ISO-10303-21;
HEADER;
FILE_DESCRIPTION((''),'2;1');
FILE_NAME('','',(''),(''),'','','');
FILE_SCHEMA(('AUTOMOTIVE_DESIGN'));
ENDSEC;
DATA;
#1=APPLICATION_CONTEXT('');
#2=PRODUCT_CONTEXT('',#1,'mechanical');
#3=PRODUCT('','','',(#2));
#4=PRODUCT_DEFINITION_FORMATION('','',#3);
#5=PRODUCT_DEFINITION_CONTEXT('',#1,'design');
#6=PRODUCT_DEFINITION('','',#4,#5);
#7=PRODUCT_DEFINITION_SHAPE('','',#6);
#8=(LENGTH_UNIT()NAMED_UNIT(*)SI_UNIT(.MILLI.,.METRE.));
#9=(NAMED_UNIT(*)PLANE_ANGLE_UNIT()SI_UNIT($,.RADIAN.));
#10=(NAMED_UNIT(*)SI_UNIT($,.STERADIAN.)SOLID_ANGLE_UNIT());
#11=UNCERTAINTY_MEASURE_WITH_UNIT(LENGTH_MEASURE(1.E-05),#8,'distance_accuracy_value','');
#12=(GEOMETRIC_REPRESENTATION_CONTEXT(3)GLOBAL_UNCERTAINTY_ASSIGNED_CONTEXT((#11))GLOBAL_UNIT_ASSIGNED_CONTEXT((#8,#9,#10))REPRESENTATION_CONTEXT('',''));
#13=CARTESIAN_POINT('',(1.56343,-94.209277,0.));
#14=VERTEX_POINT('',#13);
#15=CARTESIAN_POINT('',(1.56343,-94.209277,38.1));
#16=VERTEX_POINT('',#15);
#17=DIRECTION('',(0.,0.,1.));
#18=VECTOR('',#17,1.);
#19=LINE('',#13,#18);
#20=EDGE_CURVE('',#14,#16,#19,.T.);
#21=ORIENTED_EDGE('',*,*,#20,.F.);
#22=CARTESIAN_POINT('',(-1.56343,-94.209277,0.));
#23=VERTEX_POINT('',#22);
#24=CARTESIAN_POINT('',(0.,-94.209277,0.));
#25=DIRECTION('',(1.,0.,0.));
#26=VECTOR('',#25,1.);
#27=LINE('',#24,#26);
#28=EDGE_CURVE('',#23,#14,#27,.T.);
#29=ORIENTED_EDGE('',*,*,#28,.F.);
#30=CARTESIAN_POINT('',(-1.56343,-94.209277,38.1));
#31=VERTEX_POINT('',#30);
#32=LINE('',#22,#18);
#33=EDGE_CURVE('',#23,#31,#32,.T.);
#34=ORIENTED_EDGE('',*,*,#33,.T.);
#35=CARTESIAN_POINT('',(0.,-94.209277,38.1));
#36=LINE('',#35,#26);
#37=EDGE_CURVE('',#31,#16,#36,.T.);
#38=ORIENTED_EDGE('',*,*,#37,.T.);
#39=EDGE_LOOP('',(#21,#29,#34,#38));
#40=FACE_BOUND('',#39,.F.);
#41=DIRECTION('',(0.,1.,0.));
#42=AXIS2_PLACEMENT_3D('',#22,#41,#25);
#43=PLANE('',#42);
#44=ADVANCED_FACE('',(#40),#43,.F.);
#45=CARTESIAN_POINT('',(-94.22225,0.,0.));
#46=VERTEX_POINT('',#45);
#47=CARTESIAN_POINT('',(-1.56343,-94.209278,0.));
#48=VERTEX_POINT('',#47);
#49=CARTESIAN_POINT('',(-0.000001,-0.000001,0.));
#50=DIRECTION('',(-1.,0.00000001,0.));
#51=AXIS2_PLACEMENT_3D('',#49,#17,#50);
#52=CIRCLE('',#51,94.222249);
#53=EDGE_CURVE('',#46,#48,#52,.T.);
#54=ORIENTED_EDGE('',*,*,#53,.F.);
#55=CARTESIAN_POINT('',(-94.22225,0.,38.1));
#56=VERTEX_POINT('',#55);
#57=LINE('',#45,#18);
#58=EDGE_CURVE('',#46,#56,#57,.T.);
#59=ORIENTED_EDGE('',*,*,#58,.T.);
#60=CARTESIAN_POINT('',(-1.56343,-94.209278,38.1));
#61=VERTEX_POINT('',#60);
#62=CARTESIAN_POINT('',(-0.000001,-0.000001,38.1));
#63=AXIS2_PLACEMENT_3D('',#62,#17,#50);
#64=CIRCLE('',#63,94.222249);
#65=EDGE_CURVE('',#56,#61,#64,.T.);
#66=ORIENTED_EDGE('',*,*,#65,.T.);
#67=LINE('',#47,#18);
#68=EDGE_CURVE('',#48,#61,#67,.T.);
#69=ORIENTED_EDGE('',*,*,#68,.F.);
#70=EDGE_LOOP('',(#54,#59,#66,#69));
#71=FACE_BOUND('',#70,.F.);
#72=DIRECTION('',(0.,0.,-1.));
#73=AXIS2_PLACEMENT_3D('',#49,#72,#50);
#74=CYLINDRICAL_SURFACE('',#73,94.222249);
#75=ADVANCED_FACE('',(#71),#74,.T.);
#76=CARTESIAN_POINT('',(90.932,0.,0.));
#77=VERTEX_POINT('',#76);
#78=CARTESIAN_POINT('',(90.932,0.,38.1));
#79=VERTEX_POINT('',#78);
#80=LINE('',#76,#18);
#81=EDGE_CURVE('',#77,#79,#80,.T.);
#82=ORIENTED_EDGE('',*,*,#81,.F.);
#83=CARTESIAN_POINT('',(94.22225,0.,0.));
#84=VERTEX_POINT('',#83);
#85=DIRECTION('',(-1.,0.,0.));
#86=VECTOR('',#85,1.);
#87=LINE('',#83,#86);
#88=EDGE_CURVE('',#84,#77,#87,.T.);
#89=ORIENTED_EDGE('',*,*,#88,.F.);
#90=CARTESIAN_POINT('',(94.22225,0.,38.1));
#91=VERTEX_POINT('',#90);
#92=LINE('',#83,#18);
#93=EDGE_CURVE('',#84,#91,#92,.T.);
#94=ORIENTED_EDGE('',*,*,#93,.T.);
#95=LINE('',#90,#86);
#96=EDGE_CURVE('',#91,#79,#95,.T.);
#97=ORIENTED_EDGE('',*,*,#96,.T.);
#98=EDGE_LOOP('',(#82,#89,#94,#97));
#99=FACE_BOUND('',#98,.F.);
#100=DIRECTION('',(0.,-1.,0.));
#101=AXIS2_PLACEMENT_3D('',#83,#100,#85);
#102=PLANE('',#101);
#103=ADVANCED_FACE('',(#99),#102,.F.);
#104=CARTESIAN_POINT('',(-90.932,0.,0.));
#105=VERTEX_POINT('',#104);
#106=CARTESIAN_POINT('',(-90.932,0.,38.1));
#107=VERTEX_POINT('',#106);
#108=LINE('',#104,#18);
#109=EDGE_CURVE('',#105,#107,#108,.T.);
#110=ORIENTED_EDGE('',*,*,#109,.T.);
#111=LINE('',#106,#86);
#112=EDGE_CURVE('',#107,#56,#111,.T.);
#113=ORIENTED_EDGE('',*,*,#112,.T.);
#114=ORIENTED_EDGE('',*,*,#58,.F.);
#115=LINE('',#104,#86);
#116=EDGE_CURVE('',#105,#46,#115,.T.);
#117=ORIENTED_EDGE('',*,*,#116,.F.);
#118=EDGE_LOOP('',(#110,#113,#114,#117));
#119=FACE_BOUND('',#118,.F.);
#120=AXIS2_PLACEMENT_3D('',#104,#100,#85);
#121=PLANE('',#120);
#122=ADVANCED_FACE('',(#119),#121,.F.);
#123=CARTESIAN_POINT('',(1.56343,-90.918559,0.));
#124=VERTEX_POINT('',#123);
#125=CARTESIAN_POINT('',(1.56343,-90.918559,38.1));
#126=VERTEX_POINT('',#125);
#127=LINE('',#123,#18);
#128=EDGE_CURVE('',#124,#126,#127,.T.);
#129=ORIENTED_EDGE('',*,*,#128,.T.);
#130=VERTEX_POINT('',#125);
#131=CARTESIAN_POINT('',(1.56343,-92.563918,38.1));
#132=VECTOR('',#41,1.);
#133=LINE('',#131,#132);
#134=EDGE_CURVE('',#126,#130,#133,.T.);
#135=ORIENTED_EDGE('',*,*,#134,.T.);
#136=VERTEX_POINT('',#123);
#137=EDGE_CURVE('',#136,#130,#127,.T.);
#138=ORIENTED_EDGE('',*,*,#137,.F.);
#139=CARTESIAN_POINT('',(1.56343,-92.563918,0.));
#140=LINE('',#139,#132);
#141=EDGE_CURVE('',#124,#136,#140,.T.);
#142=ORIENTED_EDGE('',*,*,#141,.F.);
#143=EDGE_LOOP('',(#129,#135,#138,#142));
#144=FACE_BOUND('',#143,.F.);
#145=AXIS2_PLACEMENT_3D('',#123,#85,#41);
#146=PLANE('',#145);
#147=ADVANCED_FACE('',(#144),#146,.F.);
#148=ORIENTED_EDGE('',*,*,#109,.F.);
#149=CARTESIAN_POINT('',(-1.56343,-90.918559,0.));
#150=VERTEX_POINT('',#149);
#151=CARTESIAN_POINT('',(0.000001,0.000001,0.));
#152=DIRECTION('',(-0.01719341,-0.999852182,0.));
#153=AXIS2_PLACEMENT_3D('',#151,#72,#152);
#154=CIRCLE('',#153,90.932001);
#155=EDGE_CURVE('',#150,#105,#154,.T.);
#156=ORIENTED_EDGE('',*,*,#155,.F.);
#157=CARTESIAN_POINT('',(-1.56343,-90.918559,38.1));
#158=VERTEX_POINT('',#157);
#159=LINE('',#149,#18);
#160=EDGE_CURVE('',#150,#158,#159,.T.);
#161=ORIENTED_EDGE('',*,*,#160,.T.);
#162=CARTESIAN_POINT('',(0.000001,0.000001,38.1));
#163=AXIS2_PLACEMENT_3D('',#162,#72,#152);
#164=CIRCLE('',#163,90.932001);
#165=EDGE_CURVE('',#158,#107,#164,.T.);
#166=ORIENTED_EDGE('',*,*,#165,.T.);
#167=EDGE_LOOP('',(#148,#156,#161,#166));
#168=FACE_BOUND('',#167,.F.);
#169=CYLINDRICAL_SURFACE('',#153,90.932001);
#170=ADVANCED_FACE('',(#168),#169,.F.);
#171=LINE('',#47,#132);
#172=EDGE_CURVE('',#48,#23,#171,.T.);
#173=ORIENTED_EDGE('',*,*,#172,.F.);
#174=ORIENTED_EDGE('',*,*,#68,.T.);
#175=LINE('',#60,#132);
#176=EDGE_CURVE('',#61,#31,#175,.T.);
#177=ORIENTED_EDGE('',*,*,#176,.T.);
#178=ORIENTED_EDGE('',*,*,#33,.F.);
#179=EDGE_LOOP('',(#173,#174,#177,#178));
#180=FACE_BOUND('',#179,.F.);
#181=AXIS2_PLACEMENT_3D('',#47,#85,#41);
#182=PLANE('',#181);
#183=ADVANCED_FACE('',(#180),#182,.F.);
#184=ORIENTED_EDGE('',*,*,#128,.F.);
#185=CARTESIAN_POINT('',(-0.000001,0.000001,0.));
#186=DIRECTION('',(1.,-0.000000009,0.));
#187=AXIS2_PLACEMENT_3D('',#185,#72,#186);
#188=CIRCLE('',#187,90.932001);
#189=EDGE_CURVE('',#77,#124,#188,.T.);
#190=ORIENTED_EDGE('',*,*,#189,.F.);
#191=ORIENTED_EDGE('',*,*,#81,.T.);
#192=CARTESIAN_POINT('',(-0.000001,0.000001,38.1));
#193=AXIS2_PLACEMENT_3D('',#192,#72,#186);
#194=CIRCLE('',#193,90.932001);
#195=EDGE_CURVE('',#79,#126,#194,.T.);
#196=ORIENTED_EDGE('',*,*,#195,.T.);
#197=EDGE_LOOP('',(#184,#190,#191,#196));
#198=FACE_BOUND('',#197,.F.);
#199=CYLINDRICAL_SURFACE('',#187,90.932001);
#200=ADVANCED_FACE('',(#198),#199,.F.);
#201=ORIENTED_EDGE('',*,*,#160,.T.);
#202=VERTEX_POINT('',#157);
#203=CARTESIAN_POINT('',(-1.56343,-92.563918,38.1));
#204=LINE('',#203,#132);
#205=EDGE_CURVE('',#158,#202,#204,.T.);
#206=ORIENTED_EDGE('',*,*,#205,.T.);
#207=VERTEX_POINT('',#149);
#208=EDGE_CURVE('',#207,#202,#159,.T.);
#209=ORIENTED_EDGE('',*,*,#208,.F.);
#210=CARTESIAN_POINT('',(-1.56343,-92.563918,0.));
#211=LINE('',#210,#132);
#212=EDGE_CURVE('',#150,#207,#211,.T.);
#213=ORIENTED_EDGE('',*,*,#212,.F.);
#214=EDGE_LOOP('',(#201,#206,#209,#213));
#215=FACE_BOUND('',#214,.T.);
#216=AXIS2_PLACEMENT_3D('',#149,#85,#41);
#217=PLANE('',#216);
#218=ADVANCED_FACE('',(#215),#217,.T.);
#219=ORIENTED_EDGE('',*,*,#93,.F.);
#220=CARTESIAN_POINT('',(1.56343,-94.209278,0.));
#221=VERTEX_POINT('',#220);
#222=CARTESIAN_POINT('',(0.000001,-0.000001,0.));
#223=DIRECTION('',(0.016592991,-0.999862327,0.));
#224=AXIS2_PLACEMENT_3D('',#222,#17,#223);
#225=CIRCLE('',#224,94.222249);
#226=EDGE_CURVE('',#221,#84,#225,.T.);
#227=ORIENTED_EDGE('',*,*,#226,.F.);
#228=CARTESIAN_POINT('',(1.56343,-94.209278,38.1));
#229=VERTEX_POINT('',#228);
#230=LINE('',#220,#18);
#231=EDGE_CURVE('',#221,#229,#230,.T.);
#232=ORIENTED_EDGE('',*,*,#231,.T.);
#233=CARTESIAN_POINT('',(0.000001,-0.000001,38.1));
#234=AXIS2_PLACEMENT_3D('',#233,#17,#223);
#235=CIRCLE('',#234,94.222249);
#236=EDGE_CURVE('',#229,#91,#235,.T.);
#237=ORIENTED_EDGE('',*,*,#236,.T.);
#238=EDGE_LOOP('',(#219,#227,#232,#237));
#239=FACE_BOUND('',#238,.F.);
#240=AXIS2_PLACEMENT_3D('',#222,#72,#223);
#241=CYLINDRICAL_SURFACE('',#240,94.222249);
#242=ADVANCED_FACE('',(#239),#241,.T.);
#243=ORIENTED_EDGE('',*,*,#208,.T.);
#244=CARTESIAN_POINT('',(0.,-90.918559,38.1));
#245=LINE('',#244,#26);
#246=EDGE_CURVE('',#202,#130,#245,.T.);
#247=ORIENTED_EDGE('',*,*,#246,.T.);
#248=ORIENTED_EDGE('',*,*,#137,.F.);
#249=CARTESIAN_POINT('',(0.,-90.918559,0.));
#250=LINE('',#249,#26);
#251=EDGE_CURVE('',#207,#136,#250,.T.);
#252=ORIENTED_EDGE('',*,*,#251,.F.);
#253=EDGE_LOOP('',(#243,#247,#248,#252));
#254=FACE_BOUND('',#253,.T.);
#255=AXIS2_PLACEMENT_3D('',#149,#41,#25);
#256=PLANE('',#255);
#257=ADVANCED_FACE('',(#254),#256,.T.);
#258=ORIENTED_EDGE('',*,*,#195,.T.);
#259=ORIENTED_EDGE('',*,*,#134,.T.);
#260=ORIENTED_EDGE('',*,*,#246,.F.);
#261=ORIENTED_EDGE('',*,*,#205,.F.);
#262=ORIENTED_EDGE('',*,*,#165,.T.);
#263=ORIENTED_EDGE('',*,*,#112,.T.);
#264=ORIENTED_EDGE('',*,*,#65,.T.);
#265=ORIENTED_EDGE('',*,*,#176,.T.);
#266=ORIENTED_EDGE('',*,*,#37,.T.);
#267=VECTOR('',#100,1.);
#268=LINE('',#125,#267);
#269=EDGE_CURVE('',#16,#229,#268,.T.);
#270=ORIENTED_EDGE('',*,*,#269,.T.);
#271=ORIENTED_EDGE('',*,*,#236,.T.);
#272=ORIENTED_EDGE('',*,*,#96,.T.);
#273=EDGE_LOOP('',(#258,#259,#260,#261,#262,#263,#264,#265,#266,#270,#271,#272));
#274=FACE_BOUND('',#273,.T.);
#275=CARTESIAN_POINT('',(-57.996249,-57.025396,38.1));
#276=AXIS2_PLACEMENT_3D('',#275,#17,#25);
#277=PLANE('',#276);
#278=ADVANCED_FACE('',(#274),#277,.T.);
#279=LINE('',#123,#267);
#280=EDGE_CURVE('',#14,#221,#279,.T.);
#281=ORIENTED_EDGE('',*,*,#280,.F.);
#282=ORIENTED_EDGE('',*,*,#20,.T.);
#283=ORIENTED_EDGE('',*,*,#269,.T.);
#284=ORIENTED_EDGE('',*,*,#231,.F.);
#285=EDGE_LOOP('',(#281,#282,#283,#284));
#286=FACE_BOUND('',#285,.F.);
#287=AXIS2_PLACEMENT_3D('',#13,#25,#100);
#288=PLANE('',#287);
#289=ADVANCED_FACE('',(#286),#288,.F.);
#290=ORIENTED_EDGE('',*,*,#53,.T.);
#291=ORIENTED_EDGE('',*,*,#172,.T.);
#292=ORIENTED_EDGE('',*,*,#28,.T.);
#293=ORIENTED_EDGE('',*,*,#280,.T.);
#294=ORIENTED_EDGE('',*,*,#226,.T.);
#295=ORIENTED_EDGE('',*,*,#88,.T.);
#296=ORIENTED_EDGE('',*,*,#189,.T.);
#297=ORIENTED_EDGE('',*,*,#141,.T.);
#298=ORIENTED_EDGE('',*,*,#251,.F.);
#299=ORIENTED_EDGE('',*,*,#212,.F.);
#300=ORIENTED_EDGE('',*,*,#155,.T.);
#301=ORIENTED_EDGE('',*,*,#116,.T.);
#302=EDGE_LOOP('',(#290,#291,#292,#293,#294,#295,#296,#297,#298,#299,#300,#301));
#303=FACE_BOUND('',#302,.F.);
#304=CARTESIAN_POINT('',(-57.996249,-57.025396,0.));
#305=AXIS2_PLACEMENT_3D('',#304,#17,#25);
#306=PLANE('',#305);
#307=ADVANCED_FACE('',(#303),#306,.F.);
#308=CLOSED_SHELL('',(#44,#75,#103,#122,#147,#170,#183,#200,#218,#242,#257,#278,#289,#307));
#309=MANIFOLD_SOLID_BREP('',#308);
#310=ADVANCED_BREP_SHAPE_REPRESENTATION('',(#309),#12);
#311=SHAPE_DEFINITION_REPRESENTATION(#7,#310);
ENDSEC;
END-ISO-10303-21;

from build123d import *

# Parameters (mm, degrees)
F0_W     = 3.12686
F0_H     = 3.290719
F1_DEPTH = 38.1


with BuildPart() as f1:
    # F0 (on Top) → F1 (new body)
    with BuildSketch(Plane.XY):
        with BuildLine():
            Line((-90.932, 0), (-94.22225, 0))
            ThreePointArc((-94.22225, 0), (-67.175674, -66.070124), (-1.56343, -94.209278))
            Line((-1.56343, -94.209278), (-1.56343, -90.918559))
            ThreePointArc((-1.56343, -90.918559), (-64.849034, -63.743481), (-90.932, 0))
        make_face()
        with Locations((0, -92.563918)):
            Rectangle(F0_W, F0_H)
        with BuildLine():
            Line((1.56343, -90.918559), (1.56343, -94.209278))
            ThreePointArc((1.56343, -94.209278), (67.175674, -66.070124), (94.22225, 0))
            Line((94.22225, 0), (90.932, 0))
            ThreePointArc((90.932, 0), (64.849034, -63.743481), (1.56343, -90.918559))
        make_face()
    extrude(amount=F1_DEPTH)


solid = f1.part
